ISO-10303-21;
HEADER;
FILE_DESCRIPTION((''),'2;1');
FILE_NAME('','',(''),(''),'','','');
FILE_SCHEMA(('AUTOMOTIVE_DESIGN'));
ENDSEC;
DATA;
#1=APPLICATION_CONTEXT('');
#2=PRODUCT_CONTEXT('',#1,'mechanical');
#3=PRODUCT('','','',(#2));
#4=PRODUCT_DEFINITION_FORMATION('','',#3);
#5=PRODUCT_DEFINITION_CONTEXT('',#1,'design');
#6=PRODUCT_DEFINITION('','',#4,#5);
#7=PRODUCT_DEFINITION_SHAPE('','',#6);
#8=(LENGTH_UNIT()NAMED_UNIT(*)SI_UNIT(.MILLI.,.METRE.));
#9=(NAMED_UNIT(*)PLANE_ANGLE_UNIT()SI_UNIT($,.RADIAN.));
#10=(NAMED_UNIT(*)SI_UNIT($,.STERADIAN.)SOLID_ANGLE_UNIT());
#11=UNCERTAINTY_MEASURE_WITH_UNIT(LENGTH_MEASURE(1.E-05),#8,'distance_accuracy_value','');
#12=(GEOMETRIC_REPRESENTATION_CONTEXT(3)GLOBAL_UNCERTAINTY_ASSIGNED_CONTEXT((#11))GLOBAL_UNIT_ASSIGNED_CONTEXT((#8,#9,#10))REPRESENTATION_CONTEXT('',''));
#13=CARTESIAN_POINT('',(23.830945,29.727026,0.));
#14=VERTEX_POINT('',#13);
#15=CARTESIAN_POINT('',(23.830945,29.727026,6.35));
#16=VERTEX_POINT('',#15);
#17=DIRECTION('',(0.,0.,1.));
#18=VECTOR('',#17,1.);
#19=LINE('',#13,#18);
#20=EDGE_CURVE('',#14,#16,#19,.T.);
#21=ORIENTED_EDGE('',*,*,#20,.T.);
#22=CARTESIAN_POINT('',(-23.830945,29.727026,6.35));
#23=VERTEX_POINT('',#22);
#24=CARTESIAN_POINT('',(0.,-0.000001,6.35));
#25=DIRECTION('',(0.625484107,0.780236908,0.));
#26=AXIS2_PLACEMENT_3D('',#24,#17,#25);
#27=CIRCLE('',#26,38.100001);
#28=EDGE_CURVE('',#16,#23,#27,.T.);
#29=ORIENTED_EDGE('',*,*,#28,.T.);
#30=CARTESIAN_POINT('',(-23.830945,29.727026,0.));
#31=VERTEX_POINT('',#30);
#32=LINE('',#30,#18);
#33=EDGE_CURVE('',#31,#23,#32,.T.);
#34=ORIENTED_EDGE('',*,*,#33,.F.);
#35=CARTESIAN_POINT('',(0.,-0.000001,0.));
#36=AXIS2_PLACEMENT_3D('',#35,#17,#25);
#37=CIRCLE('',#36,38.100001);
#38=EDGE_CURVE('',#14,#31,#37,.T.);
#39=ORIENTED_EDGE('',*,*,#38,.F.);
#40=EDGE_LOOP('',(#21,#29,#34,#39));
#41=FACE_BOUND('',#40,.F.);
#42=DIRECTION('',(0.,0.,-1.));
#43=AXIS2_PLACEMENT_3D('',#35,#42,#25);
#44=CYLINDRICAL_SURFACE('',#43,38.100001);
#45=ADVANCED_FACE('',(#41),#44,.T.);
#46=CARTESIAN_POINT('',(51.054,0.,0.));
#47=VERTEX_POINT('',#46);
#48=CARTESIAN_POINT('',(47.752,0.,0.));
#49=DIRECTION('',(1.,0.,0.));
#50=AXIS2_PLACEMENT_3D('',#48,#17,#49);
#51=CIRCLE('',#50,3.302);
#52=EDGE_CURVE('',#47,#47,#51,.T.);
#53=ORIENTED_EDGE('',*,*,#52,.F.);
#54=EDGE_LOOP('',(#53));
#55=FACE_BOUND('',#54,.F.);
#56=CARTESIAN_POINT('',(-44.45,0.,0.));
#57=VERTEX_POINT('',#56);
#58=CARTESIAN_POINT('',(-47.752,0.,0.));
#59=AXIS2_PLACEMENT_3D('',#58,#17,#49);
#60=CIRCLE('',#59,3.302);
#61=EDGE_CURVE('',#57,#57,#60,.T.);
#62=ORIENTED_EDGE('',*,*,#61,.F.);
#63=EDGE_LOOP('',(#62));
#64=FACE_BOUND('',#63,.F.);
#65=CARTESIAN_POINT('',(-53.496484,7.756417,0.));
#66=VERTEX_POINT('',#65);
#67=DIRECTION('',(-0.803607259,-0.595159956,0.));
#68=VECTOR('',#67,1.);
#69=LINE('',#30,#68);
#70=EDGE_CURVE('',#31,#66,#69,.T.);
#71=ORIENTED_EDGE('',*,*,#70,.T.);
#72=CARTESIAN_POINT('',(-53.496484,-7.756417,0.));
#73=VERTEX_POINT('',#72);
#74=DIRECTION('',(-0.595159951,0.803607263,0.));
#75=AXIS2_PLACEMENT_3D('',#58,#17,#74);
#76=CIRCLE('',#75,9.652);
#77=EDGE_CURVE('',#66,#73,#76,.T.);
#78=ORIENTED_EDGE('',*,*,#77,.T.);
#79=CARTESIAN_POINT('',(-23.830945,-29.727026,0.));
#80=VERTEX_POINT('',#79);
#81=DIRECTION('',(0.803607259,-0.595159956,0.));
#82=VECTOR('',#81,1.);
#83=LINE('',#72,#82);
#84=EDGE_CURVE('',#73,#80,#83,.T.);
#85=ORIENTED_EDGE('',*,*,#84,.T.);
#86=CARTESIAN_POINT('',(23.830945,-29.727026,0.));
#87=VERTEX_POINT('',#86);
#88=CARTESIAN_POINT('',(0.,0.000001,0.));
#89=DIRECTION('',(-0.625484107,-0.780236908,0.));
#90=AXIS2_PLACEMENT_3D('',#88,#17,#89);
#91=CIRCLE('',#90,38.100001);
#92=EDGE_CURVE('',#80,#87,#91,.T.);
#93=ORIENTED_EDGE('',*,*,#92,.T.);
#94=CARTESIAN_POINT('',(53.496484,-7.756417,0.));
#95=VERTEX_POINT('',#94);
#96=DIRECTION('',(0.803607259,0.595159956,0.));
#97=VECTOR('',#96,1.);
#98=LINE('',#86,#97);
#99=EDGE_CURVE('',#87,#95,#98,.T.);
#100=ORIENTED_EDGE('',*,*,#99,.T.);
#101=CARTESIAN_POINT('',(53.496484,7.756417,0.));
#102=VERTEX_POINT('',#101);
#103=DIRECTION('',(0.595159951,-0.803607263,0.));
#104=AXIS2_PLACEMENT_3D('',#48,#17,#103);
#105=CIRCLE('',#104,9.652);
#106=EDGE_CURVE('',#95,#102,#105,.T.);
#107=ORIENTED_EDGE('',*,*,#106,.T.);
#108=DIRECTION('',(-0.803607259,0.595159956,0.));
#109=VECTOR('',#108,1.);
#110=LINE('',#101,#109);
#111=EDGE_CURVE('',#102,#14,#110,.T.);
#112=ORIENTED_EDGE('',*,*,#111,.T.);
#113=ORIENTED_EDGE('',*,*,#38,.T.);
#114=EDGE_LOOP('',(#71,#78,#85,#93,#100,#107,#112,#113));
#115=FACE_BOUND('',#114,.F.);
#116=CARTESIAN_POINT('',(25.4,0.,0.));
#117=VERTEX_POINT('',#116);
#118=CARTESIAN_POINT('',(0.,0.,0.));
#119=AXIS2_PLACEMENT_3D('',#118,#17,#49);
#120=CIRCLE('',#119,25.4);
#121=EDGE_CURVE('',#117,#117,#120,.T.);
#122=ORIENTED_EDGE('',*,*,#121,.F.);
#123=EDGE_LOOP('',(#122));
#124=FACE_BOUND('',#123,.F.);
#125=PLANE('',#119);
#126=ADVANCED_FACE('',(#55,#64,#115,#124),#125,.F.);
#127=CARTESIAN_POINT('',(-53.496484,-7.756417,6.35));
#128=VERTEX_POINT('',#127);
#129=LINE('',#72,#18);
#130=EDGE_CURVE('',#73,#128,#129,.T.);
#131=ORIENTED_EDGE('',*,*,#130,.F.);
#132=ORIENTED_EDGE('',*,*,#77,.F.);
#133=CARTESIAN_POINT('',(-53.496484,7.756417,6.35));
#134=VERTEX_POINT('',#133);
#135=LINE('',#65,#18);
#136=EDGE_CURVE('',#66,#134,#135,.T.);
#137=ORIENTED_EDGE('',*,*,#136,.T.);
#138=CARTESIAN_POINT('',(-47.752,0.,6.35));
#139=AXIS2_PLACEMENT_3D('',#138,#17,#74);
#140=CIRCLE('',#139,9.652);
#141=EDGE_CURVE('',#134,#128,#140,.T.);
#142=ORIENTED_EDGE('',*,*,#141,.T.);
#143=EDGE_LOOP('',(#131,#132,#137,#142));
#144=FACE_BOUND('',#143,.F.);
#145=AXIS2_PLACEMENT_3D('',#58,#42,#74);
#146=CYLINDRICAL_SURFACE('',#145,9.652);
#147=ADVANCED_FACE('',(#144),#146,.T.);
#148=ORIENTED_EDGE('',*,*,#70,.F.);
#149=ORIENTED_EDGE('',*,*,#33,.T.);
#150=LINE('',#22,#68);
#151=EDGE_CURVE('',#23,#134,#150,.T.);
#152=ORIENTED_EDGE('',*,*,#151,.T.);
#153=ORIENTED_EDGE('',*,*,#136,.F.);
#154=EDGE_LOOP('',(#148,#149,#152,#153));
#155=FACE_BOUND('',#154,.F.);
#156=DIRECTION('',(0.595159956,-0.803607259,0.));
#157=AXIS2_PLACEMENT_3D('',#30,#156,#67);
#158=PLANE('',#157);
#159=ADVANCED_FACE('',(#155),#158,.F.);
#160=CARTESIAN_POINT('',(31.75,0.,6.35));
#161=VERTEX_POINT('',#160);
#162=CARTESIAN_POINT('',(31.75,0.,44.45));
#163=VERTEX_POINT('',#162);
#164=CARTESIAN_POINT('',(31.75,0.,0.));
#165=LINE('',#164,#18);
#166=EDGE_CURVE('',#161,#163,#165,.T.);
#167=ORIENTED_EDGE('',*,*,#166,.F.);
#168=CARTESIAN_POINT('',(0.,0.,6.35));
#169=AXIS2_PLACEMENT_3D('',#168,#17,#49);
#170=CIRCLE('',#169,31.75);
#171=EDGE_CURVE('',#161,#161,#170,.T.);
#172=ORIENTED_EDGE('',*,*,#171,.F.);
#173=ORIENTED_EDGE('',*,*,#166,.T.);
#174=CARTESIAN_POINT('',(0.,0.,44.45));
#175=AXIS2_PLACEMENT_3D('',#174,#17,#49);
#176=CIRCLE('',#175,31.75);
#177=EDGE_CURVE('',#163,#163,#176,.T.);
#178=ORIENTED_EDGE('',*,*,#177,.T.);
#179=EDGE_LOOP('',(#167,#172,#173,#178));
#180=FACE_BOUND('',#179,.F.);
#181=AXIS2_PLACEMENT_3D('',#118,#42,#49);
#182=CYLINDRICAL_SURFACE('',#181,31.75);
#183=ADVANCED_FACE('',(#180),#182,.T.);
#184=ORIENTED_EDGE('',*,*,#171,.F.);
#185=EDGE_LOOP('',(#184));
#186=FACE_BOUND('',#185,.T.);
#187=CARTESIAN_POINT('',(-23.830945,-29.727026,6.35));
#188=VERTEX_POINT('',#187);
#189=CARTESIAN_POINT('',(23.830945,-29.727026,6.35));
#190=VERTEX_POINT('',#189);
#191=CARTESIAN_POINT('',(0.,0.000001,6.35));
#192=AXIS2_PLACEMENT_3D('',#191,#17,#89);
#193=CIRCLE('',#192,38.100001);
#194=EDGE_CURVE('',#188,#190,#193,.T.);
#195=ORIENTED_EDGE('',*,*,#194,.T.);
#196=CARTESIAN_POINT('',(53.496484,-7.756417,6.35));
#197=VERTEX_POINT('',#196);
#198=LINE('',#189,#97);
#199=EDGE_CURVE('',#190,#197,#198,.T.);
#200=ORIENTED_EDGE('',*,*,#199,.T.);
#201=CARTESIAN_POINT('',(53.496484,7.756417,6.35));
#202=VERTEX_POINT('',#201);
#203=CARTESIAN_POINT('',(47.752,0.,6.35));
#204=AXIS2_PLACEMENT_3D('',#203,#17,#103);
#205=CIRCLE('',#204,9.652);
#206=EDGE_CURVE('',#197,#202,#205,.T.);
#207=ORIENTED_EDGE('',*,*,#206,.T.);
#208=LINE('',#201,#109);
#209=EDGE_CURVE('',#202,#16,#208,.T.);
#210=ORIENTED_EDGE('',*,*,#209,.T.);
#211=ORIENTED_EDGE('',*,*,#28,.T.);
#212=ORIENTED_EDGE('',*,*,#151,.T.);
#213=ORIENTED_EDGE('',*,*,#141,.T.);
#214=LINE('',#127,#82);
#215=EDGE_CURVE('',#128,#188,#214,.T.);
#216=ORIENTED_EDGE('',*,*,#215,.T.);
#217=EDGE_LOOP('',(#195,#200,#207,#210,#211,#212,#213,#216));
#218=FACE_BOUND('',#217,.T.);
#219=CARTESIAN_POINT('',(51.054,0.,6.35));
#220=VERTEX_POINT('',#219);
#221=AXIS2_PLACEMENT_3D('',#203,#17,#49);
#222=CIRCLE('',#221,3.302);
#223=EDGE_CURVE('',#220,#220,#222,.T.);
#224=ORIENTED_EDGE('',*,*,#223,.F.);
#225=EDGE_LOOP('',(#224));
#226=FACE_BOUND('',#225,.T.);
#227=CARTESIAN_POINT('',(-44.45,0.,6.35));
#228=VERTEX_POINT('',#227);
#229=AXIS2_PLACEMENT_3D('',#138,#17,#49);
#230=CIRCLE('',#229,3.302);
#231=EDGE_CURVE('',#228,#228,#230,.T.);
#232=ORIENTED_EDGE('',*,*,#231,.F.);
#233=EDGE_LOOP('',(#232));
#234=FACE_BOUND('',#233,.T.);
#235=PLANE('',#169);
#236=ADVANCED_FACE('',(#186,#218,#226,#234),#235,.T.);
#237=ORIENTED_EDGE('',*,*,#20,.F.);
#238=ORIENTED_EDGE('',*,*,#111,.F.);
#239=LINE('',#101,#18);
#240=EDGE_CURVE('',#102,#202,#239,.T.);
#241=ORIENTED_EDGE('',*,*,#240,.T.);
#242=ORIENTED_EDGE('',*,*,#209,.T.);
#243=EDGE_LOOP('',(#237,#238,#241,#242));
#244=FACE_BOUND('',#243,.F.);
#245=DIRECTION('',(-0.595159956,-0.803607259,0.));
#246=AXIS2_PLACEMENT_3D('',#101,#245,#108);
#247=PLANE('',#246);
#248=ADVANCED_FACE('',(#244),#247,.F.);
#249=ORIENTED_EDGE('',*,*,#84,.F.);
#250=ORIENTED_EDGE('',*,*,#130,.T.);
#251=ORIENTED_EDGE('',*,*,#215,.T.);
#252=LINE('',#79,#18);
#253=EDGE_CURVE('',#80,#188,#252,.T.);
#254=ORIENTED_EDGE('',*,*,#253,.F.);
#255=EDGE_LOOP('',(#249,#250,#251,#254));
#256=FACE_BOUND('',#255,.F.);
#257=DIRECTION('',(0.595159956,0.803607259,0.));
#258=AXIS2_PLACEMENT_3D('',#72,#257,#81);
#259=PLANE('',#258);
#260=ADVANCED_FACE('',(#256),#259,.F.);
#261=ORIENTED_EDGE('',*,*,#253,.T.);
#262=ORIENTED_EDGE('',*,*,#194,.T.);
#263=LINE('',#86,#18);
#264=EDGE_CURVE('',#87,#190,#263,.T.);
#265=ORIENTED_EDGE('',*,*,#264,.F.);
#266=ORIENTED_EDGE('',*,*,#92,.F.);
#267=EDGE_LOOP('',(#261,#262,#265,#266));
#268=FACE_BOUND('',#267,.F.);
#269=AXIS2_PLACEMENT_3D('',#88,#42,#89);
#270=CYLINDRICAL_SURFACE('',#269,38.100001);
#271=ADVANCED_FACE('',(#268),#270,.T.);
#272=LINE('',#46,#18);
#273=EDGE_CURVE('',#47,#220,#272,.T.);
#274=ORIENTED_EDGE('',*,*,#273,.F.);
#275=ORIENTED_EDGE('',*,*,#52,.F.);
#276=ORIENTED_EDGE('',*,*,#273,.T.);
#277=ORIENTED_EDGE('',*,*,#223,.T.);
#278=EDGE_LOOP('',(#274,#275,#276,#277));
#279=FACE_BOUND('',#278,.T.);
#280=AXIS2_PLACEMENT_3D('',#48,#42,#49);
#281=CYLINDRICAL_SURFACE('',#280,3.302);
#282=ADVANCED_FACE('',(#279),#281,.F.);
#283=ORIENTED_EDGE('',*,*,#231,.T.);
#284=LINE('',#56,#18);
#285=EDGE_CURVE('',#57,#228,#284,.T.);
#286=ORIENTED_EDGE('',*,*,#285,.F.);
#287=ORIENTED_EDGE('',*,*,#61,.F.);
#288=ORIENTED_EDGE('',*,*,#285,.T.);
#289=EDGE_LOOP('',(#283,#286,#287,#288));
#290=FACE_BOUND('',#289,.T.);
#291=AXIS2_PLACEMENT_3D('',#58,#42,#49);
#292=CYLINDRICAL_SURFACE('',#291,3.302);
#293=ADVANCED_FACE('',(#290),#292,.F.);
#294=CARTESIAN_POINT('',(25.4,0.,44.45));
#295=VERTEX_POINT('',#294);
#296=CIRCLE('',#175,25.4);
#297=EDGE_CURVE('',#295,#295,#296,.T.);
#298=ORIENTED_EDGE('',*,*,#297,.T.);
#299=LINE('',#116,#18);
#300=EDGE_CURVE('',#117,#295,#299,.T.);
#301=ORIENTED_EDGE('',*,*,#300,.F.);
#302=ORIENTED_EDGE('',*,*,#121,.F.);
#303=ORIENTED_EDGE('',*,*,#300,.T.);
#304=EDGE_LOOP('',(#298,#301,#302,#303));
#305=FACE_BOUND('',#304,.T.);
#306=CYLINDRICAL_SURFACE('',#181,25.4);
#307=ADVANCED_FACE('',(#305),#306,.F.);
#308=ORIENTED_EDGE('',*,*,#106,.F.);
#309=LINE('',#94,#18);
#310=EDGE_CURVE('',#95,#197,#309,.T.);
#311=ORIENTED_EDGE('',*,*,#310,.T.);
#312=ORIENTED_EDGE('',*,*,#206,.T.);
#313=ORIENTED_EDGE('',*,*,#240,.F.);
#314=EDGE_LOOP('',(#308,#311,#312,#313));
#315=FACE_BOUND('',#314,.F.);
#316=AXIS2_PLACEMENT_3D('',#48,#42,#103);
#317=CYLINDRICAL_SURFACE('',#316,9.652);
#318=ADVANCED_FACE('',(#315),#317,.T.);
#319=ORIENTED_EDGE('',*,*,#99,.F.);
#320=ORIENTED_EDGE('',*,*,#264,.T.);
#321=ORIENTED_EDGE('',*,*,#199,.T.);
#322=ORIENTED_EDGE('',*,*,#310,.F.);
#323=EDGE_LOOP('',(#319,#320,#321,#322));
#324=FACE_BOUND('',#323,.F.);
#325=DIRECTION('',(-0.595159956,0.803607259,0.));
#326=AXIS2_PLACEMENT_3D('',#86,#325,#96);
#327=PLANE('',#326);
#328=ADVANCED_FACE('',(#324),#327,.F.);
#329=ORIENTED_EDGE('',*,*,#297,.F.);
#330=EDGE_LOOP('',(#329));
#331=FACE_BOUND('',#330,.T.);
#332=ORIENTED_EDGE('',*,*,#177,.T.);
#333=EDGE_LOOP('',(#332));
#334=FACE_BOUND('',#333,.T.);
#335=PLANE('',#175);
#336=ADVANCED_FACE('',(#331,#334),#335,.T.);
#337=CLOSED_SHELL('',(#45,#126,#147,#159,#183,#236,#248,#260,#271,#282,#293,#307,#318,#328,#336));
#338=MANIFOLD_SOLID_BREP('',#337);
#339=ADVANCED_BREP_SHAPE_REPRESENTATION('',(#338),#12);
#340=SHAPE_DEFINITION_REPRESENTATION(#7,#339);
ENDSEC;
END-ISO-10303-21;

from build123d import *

# Parameters (mm, degrees)
F0_R     = 3.302
F0_R_2   = 31.75
F1_DEPTH = 6.35
F2_R     = 31.75
F2_R_2   = 25.4
F3_DEPTH = 44.45


with BuildPart() as f1:
    # F0 (on Top) → F1 (new body)
    with BuildSketch(Plane.XY):
        with BuildLine():
            Line((-53.496484, -7.756417), (-23.830945, -29.727026))
            ThreePointArc((-23.830945, -29.727026), (0, -38.1), (23.830945, -29.727026))
            Line((23.830945, -29.727026), (53.496484, -7.756417))
            ThreePointArc((53.496484, -7.756417), (57.404, 0), (53.496484, 7.756417))
            Line((53.496484, 7.756417), (23.830945, 29.727026))
            ThreePointArc((23.830945, 29.727026), (0, 38.1), (-23.830945, 29.727026))
            Line((-23.830945, 29.727026), (-53.496484, 7.756417))
            ThreePointArc((-53.496484, 7.756417), (-57.404, 0), (-53.496484, -7.756417))
        make_face()
        with Locations((-47.752, 0)):
            Circle(F0_R, mode=Mode.SUBTRACT)
        Circle(F0_R_2, mode=Mode.SUBTRACT)
        with Locations((47.752, 0)):
            Circle(F0_R, mode=Mode.SUBTRACT)
    extrude(amount=F1_DEPTH)

    # F2 (on Top) → F3 (join)
    with BuildSketch(Plane.XY):
        Circle(F2_R)
        Circle(F2_R_2, mode=Mode.SUBTRACT)
    extrude(amount=F3_DEPTH)


solid = f1.part
